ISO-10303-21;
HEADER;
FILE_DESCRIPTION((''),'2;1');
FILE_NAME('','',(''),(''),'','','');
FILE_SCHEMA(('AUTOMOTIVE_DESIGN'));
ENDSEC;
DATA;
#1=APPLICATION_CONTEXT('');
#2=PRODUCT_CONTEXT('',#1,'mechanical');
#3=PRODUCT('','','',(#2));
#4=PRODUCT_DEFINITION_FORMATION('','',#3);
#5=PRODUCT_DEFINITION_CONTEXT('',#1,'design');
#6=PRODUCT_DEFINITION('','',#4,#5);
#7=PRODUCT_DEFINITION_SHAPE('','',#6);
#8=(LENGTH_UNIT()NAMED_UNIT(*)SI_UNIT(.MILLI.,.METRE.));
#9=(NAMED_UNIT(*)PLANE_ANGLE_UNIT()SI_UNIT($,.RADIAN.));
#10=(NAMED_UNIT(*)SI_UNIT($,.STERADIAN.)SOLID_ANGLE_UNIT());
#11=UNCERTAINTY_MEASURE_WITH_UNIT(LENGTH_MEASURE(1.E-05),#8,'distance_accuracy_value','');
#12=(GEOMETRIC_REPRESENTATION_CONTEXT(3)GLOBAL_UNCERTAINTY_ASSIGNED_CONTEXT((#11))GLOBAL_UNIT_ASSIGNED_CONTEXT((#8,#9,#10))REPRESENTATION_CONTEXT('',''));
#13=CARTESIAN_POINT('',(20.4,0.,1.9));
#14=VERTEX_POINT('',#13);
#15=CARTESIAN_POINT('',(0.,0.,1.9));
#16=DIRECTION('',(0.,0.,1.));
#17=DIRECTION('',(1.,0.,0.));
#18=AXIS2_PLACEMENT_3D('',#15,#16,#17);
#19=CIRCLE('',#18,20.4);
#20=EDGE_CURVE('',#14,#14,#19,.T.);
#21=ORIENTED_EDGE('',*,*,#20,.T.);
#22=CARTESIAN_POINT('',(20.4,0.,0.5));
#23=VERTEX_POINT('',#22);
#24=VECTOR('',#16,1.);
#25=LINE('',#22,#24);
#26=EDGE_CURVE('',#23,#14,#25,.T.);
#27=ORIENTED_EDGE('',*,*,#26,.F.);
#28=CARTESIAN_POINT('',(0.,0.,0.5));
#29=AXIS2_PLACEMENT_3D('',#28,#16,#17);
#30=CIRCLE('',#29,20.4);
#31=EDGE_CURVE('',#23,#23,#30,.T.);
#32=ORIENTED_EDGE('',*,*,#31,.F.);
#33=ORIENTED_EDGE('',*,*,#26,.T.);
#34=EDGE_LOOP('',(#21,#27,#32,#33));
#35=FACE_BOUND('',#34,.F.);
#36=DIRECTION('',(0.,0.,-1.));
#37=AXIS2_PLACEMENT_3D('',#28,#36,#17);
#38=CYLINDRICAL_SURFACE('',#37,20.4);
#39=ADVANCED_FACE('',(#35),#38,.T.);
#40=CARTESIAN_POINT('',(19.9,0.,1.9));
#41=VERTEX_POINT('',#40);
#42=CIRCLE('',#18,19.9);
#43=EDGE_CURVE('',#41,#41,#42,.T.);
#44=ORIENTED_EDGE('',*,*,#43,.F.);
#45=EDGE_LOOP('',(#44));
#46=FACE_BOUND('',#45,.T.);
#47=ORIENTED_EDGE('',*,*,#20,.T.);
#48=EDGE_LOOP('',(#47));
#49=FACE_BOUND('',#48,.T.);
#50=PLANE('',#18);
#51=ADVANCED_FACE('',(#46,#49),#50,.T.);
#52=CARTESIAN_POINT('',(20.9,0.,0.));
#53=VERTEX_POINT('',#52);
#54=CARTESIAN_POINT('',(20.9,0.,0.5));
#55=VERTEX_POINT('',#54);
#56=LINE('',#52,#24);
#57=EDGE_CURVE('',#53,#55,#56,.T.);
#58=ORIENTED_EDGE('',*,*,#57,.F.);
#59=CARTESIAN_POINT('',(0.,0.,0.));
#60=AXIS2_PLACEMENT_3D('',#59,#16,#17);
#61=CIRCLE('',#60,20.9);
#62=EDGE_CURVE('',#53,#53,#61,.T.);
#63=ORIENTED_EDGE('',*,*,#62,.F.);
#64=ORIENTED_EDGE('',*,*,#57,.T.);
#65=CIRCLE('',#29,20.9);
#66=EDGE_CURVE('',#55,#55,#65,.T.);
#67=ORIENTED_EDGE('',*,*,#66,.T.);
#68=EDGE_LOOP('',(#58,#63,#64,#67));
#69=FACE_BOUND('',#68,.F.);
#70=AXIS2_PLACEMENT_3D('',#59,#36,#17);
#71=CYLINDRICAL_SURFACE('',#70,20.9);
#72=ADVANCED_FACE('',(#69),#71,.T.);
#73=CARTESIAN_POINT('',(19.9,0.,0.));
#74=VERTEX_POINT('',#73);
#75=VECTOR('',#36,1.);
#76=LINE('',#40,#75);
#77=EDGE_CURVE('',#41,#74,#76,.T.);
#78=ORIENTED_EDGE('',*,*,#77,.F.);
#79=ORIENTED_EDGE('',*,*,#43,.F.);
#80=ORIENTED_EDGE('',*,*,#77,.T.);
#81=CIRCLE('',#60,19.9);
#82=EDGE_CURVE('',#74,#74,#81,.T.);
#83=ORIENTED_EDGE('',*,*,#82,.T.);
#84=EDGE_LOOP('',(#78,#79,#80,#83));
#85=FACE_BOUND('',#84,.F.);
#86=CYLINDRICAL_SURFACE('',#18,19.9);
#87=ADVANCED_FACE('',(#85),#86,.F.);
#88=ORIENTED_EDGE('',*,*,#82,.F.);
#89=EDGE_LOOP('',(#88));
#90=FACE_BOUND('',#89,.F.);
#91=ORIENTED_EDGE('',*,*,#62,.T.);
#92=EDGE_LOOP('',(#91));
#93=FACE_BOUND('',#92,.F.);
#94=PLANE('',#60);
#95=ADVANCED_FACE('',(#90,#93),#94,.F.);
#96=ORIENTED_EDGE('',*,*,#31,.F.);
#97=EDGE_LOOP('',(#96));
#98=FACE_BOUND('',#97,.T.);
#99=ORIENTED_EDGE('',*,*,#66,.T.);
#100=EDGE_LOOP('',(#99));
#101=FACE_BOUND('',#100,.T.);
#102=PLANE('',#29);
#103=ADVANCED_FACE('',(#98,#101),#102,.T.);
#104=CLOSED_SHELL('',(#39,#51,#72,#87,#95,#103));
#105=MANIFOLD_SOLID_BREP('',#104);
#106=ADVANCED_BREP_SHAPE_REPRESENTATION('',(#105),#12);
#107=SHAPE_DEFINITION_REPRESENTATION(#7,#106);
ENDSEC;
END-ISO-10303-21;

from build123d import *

# Parameters (mm, degrees)
SKETCH_R     = 20.9
PAD_DEPTH    = 0.5
SKETCH001_R  = 20.4
PAD001_DEPTH = 1.4
SKETCH002_R  = 19.9
POCKET_DEPTH = 5


with BuildPart() as part:
    # Sketch → Pad (new body)
    with BuildSketch(Plane.XY):
        Circle(SKETCH_R)
    extrude(amount=PAD_DEPTH)

    # Sketch001 (on Face3 of Pad) → Pad001 (join)
    with BuildSketch(Plane.XY.offset(0.5)):
        Circle(SKETCH001_R)
    extrude(amount=PAD001_DEPTH)

    # Sketch002 (on Face5 of Pad001) → Pocket (cut)
    with BuildSketch(Plane.XY.offset(1.9)):
        Circle(SKETCH002_R)
    extrude(amount=-POCKET_DEPTH, mode=Mode.SUBTRACT)


solid = part.part
